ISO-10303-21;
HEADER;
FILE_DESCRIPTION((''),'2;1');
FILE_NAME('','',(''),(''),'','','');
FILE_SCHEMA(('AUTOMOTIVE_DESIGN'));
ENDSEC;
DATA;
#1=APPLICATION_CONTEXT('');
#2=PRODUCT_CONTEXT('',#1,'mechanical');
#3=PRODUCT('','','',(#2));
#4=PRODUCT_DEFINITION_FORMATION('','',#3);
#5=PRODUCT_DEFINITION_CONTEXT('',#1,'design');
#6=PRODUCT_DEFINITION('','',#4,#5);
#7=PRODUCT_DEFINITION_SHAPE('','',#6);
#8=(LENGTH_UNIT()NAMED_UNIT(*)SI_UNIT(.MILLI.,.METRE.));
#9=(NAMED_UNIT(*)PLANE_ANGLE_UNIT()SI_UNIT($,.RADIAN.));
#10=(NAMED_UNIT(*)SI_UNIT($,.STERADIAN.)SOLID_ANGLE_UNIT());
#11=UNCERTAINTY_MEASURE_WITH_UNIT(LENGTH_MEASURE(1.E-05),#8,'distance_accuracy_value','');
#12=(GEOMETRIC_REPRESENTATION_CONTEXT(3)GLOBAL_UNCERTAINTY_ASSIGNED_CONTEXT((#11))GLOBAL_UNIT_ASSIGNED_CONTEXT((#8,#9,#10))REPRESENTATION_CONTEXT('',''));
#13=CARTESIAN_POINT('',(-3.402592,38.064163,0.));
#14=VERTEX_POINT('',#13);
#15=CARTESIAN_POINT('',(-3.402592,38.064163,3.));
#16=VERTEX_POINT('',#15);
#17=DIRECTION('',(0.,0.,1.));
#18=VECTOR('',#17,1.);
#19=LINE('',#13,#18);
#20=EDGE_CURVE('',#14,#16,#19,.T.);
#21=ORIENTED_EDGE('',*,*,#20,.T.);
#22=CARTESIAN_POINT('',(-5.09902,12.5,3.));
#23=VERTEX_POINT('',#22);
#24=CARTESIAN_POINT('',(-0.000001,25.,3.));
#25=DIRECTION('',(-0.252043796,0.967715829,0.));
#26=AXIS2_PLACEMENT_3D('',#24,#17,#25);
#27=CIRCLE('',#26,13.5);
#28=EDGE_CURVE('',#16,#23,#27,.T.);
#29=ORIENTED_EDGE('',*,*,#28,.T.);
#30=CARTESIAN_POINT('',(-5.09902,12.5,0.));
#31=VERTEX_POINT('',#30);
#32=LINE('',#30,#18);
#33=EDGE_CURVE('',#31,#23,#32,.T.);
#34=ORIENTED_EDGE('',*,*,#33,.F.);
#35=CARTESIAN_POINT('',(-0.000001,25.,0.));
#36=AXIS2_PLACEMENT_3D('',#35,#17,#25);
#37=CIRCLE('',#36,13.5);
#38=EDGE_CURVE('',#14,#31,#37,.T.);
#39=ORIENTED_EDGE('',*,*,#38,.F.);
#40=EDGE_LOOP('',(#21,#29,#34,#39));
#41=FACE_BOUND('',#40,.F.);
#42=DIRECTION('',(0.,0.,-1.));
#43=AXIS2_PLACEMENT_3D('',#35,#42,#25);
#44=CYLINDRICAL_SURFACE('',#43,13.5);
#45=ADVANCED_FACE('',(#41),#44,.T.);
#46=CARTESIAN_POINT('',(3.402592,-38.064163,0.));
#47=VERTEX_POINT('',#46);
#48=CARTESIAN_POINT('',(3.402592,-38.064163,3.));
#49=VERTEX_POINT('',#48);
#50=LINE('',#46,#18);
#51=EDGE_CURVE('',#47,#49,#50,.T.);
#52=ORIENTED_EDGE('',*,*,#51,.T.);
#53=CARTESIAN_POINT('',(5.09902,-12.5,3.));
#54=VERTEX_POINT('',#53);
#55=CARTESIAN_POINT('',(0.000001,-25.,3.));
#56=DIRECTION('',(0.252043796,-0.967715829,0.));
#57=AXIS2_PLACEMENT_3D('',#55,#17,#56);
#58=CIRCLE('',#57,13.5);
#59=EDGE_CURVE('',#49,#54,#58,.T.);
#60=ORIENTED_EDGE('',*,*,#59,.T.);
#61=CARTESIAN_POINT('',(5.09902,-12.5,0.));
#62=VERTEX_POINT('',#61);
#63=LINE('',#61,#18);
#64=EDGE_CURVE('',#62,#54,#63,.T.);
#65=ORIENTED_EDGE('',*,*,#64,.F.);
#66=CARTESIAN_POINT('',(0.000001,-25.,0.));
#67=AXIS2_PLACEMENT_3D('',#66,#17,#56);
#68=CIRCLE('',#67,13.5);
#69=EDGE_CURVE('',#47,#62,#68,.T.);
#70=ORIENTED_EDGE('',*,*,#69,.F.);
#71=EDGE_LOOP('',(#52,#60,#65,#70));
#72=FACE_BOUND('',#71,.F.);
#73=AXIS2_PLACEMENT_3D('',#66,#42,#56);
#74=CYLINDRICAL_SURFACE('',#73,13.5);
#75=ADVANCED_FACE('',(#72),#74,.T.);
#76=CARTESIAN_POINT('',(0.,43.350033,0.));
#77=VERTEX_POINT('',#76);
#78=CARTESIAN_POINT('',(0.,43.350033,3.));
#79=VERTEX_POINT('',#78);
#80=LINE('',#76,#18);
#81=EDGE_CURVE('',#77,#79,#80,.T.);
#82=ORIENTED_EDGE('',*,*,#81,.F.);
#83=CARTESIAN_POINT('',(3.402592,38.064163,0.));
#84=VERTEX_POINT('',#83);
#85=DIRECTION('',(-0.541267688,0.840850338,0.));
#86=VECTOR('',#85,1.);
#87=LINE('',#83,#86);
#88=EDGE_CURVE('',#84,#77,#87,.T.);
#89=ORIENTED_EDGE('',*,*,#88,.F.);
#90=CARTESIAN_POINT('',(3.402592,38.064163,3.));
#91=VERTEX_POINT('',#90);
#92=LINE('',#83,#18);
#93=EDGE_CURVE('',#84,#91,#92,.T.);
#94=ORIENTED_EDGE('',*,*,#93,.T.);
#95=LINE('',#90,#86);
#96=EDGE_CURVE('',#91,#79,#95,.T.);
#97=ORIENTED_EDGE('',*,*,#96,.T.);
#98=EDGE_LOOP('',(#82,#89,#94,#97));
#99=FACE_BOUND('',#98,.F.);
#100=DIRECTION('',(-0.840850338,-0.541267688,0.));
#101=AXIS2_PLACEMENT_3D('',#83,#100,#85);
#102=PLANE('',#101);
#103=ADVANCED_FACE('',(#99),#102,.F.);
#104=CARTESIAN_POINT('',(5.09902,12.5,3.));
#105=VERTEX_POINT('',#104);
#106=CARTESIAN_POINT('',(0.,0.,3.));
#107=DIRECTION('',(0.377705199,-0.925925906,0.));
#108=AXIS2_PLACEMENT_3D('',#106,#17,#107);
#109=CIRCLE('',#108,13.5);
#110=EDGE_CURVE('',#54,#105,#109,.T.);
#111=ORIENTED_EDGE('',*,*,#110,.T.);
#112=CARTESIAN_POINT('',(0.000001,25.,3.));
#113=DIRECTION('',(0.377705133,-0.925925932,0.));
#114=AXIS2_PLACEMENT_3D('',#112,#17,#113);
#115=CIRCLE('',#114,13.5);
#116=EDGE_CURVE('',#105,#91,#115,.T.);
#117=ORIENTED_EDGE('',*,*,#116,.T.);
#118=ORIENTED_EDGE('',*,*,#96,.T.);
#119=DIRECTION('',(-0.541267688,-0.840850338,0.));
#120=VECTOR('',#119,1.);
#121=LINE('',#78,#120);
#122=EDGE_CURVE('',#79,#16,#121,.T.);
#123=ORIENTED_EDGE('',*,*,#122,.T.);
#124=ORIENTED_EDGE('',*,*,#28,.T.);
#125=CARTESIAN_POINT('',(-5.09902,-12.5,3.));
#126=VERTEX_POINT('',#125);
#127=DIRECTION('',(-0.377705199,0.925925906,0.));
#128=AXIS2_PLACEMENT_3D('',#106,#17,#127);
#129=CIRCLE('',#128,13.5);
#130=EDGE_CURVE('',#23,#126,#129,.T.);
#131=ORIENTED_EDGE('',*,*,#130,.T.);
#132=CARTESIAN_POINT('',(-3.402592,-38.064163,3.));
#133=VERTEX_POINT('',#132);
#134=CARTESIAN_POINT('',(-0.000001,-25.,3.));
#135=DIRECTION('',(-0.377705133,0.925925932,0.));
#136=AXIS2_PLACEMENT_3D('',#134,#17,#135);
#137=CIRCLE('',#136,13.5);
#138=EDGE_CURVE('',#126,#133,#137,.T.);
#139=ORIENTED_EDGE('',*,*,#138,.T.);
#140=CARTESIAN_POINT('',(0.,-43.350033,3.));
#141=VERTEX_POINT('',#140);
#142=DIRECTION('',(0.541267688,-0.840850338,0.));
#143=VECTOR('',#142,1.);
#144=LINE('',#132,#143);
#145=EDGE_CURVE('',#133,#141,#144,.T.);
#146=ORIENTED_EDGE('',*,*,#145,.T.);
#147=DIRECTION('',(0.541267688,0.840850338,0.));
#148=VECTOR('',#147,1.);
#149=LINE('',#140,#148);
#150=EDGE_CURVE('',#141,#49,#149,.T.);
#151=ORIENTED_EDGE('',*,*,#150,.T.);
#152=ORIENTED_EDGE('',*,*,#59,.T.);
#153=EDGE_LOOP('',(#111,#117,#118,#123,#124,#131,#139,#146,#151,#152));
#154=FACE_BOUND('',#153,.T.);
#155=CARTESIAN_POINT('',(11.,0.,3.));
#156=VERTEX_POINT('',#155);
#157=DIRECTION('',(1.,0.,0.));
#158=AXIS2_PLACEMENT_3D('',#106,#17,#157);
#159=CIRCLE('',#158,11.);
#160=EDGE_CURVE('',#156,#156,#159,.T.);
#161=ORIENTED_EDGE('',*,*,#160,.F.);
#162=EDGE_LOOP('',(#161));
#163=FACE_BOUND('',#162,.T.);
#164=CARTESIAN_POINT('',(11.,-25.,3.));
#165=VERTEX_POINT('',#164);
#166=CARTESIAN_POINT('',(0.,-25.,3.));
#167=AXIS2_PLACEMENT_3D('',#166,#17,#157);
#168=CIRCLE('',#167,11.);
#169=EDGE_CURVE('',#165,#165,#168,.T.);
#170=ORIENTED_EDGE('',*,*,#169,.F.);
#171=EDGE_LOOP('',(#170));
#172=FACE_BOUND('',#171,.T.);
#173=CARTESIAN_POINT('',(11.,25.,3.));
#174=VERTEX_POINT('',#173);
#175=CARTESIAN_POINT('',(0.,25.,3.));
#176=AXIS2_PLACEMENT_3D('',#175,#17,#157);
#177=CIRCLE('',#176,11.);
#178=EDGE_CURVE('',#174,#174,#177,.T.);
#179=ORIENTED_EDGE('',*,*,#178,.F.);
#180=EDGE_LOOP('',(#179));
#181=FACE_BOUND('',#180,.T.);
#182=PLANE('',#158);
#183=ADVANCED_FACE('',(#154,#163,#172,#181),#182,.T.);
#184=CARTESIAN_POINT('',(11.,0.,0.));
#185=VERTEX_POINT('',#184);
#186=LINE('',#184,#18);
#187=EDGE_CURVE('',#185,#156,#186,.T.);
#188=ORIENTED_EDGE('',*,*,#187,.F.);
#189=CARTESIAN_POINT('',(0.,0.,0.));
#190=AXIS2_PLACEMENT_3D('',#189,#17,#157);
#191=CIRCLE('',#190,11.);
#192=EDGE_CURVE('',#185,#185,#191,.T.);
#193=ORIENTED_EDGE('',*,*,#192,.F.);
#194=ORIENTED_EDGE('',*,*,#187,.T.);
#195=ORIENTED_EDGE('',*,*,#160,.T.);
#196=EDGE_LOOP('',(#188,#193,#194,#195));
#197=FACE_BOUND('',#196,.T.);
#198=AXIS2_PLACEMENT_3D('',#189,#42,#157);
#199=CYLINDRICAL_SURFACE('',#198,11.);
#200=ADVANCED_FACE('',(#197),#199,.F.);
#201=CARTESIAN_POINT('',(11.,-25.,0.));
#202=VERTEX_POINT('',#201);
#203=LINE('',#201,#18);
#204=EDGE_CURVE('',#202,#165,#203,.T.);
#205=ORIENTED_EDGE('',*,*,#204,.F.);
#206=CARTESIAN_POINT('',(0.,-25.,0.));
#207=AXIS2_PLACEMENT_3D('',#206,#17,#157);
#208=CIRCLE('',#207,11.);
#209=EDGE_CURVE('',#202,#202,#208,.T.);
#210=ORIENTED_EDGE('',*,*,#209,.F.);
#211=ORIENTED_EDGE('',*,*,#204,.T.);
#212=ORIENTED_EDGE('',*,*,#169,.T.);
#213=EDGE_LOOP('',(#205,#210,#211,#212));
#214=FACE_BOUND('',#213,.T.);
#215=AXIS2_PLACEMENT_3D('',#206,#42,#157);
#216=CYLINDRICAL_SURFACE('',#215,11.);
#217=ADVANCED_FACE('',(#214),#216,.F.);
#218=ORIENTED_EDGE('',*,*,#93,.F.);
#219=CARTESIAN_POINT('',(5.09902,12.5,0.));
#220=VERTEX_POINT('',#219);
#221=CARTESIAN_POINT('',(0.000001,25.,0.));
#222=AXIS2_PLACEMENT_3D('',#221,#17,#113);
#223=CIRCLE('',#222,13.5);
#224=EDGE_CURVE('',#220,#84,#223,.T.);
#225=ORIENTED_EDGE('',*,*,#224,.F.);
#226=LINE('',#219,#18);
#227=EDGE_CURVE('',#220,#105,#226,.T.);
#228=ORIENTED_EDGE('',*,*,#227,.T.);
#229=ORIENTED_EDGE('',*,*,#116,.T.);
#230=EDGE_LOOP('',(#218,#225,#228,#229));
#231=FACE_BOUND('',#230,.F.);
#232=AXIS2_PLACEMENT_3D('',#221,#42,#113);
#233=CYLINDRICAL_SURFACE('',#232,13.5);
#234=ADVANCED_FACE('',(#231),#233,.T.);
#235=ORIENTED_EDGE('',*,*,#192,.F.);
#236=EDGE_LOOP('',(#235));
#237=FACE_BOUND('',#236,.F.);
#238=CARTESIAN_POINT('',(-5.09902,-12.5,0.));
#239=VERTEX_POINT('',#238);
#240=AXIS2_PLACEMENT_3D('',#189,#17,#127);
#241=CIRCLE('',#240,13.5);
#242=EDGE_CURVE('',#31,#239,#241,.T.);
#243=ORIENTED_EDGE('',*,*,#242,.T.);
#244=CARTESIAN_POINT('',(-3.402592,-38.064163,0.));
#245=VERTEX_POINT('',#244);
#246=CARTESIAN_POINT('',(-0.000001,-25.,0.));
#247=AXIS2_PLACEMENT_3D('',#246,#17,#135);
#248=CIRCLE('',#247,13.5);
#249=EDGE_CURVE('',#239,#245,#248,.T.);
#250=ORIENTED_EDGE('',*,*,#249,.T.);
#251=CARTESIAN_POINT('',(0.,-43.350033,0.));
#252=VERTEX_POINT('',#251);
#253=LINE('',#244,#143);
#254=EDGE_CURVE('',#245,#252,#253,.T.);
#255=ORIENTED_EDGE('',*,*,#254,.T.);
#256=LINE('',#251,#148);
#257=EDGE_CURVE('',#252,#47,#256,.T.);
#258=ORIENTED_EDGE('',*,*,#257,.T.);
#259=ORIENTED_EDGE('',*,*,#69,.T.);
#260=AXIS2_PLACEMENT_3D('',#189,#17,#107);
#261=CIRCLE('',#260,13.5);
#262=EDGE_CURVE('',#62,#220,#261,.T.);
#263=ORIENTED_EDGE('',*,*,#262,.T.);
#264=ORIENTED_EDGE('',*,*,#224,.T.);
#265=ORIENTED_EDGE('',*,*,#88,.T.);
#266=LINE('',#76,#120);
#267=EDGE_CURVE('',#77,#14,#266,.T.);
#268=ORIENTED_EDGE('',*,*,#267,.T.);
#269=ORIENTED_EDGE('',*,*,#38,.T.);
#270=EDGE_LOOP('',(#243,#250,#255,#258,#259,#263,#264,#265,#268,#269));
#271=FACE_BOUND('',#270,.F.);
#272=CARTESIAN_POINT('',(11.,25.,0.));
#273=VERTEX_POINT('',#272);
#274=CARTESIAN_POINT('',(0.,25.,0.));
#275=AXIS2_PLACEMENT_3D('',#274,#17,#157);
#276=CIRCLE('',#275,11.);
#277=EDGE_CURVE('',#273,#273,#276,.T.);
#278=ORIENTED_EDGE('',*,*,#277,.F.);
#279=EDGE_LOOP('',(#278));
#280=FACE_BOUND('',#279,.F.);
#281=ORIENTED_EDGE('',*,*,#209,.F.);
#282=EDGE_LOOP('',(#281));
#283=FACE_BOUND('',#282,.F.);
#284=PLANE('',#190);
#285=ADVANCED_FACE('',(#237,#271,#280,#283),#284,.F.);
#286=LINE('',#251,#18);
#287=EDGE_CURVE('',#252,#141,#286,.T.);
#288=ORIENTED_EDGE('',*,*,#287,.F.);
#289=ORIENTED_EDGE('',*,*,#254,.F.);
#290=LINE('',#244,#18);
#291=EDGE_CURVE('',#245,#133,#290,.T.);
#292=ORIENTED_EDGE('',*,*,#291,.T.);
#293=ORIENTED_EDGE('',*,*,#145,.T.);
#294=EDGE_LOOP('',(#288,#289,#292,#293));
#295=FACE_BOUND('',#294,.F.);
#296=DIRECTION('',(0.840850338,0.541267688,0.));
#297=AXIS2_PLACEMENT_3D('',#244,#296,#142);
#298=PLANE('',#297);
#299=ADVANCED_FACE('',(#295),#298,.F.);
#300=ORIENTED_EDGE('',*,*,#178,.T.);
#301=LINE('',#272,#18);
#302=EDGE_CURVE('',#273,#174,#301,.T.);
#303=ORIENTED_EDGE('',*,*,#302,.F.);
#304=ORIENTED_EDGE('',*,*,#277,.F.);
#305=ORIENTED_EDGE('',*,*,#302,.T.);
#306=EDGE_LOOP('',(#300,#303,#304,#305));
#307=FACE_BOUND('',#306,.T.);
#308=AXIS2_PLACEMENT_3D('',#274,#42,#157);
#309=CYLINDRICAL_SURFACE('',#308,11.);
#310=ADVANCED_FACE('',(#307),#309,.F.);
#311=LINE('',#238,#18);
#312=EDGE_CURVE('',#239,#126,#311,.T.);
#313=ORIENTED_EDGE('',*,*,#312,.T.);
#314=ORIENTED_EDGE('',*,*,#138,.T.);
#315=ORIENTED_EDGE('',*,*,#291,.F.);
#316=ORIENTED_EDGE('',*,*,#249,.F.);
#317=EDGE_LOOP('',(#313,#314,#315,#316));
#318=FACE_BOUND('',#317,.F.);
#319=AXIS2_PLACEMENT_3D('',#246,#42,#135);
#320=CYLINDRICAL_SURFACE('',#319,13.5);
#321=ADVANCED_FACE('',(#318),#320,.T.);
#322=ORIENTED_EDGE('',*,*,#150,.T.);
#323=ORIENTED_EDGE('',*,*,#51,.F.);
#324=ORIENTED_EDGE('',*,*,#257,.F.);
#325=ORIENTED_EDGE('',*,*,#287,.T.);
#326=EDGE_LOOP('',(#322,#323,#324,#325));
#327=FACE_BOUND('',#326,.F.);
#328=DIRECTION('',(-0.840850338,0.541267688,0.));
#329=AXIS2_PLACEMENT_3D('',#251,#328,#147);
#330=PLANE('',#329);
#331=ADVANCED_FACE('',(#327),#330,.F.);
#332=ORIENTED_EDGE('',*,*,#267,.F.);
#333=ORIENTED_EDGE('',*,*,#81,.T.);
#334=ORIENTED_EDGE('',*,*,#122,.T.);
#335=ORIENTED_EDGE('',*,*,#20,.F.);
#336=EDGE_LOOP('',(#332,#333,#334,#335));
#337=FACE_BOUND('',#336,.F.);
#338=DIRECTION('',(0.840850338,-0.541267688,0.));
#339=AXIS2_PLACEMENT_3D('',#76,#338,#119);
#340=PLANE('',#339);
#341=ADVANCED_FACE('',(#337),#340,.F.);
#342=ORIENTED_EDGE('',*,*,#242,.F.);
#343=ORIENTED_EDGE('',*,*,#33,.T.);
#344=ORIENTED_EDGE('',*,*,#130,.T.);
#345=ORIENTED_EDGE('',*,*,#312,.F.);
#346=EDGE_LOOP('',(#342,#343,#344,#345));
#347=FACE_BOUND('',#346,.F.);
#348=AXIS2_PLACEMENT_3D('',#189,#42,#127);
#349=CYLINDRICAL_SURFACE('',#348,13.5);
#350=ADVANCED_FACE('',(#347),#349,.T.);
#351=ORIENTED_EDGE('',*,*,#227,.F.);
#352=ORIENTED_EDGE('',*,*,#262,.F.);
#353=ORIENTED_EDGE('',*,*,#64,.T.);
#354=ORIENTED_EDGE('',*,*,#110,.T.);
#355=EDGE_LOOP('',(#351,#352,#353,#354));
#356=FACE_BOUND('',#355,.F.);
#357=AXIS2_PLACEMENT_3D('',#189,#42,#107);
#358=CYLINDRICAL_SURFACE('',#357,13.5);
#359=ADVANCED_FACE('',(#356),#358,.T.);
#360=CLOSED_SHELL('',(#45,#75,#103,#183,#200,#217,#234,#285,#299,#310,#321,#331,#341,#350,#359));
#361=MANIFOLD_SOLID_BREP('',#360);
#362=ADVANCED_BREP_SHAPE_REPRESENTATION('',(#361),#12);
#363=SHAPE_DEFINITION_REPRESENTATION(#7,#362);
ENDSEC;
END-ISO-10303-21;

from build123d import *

# Parameters (mm, degrees)
F0_R     = 11
F1_DEPTH = 3


with BuildPart() as f1:
    # F0 (on Top) → F1 (new body)
    with BuildSketch(Plane.XY):
        with BuildLine():
            ThreePointArc((-3.402592, 38.064163), (-13.470374, 25.893888), (-5.09902, 12.5))
            ThreePointArc((-5.09902, 12.5), (-13.5, 0), (-5.09902, -12.5))
            ThreePointArc((-5.09902, -12.5), (-13.470374, -25.893888), (-3.402592, -38.064163))
            Line((-3.402592, -38.064163), (0, -43.350033))
            Line((0, -43.350033), (3.402592, -38.064163))
            ThreePointArc((3.402592, -38.064163), (13.470374, -25.893888), (5.09902, -12.5))
            ThreePointArc((5.09902, -12.5), (13.5, 0), (5.09902, 12.5))
            ThreePointArc((5.09902, 12.5), (13.470374, 25.893888), (3.402592, 38.064163))
            Line((3.402592, 38.064163), (0, 43.350033))
            Line((0, 43.350033), (-3.402592, 38.064163))
        make_face()
        with Locations((0, -25)):
            Circle(F0_R, mode=Mode.SUBTRACT)
        Circle(F0_R, mode=Mode.SUBTRACT)
        with Locations((0, 25)):
            Circle(F0_R, mode=Mode.SUBTRACT)
    extrude(amount=F1_DEPTH)


solid = f1.part
